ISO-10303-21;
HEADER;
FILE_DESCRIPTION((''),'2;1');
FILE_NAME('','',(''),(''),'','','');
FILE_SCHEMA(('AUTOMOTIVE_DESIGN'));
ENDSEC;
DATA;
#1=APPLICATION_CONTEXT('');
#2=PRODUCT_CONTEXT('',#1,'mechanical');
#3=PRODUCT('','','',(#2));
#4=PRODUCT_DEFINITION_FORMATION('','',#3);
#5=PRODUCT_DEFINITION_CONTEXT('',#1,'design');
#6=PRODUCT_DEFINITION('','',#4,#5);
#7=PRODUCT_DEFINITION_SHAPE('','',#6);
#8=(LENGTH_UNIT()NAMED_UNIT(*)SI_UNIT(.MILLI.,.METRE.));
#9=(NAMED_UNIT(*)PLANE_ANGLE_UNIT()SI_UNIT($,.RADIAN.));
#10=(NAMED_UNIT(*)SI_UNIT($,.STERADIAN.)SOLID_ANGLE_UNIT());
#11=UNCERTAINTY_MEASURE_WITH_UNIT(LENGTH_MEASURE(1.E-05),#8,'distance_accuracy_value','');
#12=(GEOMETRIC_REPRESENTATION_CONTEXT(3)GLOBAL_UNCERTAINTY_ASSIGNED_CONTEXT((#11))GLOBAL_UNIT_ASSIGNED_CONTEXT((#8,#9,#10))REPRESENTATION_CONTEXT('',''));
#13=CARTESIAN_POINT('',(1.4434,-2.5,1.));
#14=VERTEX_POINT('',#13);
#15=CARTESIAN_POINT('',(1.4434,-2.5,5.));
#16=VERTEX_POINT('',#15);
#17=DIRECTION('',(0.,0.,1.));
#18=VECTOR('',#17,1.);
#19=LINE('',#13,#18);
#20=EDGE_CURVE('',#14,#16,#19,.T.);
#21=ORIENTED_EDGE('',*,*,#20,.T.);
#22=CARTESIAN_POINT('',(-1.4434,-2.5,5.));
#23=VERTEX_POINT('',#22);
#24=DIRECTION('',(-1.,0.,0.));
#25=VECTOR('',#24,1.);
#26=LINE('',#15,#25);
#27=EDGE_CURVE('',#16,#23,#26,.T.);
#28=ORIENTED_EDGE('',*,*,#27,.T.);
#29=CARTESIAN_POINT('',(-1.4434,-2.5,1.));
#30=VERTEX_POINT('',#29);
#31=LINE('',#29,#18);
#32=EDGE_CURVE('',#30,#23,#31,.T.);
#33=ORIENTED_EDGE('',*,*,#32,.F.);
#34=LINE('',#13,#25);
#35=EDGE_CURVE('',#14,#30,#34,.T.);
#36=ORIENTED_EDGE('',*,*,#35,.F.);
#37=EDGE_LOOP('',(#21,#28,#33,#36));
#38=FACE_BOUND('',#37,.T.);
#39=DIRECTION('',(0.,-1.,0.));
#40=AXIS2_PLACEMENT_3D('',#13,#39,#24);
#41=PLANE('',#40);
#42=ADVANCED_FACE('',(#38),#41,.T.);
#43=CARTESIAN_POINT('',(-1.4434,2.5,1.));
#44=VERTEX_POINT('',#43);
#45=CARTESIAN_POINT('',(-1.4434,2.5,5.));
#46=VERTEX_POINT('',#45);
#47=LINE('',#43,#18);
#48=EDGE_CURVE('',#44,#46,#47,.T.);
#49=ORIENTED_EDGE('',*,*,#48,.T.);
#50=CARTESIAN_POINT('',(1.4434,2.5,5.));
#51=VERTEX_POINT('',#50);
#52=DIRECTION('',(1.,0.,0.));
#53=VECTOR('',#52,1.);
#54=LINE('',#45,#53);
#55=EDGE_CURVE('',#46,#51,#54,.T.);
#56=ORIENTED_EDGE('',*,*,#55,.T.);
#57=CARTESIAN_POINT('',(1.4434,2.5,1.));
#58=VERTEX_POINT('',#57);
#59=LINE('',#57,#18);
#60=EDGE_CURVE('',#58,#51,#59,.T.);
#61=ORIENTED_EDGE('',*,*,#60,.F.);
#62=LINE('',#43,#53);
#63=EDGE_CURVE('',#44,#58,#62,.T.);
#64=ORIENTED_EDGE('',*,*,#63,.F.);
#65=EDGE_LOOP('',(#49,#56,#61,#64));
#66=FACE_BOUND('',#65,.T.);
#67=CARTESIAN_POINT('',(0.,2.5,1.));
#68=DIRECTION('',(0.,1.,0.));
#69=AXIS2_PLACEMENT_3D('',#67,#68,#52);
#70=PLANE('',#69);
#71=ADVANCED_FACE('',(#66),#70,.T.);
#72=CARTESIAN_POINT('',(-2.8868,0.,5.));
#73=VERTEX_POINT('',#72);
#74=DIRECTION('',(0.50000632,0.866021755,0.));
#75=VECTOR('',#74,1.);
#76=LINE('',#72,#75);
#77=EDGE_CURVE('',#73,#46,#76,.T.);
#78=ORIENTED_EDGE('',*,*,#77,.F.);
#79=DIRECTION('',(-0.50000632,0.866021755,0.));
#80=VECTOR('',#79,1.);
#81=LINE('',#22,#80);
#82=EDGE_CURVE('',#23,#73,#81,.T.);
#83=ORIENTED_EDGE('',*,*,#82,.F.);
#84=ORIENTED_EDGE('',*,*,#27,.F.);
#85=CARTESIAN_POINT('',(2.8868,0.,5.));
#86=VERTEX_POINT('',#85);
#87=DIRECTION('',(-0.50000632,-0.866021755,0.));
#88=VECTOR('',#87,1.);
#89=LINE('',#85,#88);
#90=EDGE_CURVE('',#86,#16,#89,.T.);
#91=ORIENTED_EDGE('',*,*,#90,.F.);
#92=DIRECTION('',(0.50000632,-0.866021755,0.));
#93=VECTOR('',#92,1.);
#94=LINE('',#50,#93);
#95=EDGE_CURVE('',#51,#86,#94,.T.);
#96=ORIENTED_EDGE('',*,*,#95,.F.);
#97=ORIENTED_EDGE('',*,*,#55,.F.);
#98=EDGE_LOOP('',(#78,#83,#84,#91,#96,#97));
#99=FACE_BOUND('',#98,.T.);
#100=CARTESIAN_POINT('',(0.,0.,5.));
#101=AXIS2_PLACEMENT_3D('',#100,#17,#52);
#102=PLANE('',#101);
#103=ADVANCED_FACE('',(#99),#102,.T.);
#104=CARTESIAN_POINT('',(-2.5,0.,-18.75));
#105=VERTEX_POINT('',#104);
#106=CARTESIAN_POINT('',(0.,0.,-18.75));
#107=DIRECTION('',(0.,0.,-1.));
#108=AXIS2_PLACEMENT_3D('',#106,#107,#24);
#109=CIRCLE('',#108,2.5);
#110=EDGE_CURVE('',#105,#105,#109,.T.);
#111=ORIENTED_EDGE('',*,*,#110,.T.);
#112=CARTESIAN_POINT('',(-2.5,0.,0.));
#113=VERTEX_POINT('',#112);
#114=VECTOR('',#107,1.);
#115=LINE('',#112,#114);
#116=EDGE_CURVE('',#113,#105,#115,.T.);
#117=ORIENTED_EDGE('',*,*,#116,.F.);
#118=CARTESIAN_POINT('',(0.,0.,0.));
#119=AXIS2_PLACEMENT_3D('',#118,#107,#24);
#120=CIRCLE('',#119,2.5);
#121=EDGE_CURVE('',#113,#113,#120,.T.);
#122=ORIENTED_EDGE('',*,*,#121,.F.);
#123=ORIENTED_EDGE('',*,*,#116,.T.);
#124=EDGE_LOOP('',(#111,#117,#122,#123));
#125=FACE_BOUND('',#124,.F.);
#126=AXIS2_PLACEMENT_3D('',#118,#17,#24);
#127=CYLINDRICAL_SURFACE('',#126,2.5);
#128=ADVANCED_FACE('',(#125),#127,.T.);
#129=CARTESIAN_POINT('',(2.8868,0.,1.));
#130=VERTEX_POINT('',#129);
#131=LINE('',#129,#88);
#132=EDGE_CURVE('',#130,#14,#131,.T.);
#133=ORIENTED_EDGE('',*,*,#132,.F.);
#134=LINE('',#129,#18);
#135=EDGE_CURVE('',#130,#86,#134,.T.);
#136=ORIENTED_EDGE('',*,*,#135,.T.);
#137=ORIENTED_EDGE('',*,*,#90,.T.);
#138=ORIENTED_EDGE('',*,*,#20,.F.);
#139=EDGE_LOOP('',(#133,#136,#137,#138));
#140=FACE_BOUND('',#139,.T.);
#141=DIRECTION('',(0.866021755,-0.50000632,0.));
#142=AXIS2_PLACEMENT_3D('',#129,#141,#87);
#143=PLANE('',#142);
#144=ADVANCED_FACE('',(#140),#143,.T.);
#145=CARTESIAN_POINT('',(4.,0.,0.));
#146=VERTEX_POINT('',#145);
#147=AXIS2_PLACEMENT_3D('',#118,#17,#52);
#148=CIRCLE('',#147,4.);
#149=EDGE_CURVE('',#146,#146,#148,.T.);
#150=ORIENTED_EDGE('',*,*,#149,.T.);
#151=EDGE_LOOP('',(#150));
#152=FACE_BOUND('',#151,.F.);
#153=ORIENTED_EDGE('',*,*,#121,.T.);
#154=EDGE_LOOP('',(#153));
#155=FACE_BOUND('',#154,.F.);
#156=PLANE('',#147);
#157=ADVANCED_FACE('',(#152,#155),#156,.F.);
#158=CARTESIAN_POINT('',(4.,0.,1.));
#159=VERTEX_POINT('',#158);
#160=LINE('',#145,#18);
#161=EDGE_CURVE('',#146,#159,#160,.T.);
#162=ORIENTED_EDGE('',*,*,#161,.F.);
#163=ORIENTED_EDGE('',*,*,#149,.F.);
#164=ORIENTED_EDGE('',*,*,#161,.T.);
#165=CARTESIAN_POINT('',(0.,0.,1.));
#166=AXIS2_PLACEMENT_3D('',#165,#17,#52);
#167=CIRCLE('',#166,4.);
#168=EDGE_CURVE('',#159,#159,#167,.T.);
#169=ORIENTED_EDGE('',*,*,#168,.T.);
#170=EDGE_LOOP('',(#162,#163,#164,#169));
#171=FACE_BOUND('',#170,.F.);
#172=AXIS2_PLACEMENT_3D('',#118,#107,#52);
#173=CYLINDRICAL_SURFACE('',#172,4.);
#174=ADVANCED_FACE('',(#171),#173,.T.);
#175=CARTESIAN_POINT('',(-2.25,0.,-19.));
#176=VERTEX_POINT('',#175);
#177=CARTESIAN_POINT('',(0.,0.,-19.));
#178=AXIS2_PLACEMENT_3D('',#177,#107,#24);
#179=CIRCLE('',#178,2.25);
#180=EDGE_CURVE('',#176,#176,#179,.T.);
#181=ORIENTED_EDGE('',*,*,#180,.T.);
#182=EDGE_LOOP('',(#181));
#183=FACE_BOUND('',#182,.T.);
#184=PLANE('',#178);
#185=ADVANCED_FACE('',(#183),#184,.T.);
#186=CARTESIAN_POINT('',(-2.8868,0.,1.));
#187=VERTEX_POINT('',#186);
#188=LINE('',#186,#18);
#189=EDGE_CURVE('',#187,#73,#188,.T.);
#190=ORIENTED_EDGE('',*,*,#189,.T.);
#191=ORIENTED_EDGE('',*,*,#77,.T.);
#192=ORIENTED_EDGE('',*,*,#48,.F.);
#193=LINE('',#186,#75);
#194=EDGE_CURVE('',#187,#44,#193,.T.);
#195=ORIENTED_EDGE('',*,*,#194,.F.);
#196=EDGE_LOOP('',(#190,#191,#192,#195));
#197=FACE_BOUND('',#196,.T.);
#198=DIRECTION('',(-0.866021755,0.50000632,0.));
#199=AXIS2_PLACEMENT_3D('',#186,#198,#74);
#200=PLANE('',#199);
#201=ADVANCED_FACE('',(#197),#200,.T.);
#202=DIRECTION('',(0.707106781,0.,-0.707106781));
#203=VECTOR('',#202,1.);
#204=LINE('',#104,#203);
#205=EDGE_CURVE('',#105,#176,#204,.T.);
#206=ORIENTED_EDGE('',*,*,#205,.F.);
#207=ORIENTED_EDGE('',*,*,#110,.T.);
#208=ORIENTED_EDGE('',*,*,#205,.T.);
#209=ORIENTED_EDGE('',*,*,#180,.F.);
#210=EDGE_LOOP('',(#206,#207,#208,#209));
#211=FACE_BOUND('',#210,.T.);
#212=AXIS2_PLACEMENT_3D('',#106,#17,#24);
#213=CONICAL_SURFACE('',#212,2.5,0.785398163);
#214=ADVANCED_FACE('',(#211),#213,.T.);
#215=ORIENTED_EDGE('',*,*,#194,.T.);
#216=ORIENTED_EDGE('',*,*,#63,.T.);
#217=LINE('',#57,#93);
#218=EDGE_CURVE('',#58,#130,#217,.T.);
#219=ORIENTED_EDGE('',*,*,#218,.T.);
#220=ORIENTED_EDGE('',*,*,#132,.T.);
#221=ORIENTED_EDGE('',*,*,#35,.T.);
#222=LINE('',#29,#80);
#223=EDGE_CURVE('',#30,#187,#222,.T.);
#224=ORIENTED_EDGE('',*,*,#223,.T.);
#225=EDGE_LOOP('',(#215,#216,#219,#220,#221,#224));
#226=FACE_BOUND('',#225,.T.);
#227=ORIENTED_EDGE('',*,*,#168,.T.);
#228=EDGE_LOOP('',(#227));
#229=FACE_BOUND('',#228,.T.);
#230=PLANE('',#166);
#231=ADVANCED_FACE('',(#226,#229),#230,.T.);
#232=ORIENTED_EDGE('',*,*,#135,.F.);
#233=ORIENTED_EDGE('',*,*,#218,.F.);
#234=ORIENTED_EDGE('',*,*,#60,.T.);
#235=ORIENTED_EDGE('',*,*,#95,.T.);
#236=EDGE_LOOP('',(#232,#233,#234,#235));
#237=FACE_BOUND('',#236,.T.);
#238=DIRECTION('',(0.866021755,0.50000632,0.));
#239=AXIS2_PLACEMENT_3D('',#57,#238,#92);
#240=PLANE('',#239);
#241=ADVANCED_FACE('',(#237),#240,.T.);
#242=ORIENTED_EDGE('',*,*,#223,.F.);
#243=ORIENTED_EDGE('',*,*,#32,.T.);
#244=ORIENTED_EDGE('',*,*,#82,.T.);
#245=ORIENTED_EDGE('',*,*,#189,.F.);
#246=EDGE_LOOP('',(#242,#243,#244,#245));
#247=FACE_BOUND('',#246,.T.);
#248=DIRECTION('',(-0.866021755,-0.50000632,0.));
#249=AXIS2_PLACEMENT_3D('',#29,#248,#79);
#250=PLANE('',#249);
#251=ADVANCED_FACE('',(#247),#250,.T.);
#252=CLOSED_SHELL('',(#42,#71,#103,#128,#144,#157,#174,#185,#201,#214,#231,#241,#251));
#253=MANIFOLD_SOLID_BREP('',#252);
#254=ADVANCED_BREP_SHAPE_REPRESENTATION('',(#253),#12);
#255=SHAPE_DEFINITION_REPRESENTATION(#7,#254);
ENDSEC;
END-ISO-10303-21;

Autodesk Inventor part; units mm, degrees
ref_plane "YZ Plane" through (0, 0, 0) normal (1, 0, 0) x (0, 1, 0)
ref_plane "XZ Plane" through (0, 0, 0) normal (0, 1, 0) x (-1, 0, 0)
ref_plane "XY Plane" through (0, 0, 0) normal (0, 0, 1) x (1, 0, 0)
sketch "草图1" plane through (0, 0, 0) normal (0, 0, 1) x (1, 0, 0)
  circle A0 centre (0, 0) radius 4
  dimension "d0" = 8
extrude "拉伸1" add sketch "草图1" along normal blind 1
sketch "草图2" plane through (0, 0, 1) normal (0, 0, 1) x (1, 0, 0)
  line L0 (1.4434, -2.5) -> (-1.4434, -2.5)
  line L1 (-1.4434, -2.5) -> (-2.8868, 0)
  line L2 (-2.8868, 0) -> (-1.4434, 2.5)
  line L3 (-1.4434, 2.5) -> (1.4434, 2.5)
  line L4 (1.4434, 2.5) -> (2.8868, 0)
  line L5 (2.8868, 0) -> (1.4434, -2.5)
  line L6 (0, 0) -> (0, 2.5)
  dimension "d3" = 5
extrude "拉伸2" add sketch "草图2" along normal blind 4
sketch "草图3" plane through (0, 0, 0) normal (0, 0, -1) x (-1, 0, 0)
  circle A0 centre (0, 0) radius 2.5
  dimension "d6" = 5
extrude "拉伸3" add sketch "草图3" along normal blind 19
thread "螺纹1" size "M5x0.8" class "6g" standard "ANSI Metric M Profile" length 15
chamfer "倒角1" distance 0.25 angle 45 1 edges at (2.5, 0, -19)
properties part number "电机座上轴盖固定螺丝"
